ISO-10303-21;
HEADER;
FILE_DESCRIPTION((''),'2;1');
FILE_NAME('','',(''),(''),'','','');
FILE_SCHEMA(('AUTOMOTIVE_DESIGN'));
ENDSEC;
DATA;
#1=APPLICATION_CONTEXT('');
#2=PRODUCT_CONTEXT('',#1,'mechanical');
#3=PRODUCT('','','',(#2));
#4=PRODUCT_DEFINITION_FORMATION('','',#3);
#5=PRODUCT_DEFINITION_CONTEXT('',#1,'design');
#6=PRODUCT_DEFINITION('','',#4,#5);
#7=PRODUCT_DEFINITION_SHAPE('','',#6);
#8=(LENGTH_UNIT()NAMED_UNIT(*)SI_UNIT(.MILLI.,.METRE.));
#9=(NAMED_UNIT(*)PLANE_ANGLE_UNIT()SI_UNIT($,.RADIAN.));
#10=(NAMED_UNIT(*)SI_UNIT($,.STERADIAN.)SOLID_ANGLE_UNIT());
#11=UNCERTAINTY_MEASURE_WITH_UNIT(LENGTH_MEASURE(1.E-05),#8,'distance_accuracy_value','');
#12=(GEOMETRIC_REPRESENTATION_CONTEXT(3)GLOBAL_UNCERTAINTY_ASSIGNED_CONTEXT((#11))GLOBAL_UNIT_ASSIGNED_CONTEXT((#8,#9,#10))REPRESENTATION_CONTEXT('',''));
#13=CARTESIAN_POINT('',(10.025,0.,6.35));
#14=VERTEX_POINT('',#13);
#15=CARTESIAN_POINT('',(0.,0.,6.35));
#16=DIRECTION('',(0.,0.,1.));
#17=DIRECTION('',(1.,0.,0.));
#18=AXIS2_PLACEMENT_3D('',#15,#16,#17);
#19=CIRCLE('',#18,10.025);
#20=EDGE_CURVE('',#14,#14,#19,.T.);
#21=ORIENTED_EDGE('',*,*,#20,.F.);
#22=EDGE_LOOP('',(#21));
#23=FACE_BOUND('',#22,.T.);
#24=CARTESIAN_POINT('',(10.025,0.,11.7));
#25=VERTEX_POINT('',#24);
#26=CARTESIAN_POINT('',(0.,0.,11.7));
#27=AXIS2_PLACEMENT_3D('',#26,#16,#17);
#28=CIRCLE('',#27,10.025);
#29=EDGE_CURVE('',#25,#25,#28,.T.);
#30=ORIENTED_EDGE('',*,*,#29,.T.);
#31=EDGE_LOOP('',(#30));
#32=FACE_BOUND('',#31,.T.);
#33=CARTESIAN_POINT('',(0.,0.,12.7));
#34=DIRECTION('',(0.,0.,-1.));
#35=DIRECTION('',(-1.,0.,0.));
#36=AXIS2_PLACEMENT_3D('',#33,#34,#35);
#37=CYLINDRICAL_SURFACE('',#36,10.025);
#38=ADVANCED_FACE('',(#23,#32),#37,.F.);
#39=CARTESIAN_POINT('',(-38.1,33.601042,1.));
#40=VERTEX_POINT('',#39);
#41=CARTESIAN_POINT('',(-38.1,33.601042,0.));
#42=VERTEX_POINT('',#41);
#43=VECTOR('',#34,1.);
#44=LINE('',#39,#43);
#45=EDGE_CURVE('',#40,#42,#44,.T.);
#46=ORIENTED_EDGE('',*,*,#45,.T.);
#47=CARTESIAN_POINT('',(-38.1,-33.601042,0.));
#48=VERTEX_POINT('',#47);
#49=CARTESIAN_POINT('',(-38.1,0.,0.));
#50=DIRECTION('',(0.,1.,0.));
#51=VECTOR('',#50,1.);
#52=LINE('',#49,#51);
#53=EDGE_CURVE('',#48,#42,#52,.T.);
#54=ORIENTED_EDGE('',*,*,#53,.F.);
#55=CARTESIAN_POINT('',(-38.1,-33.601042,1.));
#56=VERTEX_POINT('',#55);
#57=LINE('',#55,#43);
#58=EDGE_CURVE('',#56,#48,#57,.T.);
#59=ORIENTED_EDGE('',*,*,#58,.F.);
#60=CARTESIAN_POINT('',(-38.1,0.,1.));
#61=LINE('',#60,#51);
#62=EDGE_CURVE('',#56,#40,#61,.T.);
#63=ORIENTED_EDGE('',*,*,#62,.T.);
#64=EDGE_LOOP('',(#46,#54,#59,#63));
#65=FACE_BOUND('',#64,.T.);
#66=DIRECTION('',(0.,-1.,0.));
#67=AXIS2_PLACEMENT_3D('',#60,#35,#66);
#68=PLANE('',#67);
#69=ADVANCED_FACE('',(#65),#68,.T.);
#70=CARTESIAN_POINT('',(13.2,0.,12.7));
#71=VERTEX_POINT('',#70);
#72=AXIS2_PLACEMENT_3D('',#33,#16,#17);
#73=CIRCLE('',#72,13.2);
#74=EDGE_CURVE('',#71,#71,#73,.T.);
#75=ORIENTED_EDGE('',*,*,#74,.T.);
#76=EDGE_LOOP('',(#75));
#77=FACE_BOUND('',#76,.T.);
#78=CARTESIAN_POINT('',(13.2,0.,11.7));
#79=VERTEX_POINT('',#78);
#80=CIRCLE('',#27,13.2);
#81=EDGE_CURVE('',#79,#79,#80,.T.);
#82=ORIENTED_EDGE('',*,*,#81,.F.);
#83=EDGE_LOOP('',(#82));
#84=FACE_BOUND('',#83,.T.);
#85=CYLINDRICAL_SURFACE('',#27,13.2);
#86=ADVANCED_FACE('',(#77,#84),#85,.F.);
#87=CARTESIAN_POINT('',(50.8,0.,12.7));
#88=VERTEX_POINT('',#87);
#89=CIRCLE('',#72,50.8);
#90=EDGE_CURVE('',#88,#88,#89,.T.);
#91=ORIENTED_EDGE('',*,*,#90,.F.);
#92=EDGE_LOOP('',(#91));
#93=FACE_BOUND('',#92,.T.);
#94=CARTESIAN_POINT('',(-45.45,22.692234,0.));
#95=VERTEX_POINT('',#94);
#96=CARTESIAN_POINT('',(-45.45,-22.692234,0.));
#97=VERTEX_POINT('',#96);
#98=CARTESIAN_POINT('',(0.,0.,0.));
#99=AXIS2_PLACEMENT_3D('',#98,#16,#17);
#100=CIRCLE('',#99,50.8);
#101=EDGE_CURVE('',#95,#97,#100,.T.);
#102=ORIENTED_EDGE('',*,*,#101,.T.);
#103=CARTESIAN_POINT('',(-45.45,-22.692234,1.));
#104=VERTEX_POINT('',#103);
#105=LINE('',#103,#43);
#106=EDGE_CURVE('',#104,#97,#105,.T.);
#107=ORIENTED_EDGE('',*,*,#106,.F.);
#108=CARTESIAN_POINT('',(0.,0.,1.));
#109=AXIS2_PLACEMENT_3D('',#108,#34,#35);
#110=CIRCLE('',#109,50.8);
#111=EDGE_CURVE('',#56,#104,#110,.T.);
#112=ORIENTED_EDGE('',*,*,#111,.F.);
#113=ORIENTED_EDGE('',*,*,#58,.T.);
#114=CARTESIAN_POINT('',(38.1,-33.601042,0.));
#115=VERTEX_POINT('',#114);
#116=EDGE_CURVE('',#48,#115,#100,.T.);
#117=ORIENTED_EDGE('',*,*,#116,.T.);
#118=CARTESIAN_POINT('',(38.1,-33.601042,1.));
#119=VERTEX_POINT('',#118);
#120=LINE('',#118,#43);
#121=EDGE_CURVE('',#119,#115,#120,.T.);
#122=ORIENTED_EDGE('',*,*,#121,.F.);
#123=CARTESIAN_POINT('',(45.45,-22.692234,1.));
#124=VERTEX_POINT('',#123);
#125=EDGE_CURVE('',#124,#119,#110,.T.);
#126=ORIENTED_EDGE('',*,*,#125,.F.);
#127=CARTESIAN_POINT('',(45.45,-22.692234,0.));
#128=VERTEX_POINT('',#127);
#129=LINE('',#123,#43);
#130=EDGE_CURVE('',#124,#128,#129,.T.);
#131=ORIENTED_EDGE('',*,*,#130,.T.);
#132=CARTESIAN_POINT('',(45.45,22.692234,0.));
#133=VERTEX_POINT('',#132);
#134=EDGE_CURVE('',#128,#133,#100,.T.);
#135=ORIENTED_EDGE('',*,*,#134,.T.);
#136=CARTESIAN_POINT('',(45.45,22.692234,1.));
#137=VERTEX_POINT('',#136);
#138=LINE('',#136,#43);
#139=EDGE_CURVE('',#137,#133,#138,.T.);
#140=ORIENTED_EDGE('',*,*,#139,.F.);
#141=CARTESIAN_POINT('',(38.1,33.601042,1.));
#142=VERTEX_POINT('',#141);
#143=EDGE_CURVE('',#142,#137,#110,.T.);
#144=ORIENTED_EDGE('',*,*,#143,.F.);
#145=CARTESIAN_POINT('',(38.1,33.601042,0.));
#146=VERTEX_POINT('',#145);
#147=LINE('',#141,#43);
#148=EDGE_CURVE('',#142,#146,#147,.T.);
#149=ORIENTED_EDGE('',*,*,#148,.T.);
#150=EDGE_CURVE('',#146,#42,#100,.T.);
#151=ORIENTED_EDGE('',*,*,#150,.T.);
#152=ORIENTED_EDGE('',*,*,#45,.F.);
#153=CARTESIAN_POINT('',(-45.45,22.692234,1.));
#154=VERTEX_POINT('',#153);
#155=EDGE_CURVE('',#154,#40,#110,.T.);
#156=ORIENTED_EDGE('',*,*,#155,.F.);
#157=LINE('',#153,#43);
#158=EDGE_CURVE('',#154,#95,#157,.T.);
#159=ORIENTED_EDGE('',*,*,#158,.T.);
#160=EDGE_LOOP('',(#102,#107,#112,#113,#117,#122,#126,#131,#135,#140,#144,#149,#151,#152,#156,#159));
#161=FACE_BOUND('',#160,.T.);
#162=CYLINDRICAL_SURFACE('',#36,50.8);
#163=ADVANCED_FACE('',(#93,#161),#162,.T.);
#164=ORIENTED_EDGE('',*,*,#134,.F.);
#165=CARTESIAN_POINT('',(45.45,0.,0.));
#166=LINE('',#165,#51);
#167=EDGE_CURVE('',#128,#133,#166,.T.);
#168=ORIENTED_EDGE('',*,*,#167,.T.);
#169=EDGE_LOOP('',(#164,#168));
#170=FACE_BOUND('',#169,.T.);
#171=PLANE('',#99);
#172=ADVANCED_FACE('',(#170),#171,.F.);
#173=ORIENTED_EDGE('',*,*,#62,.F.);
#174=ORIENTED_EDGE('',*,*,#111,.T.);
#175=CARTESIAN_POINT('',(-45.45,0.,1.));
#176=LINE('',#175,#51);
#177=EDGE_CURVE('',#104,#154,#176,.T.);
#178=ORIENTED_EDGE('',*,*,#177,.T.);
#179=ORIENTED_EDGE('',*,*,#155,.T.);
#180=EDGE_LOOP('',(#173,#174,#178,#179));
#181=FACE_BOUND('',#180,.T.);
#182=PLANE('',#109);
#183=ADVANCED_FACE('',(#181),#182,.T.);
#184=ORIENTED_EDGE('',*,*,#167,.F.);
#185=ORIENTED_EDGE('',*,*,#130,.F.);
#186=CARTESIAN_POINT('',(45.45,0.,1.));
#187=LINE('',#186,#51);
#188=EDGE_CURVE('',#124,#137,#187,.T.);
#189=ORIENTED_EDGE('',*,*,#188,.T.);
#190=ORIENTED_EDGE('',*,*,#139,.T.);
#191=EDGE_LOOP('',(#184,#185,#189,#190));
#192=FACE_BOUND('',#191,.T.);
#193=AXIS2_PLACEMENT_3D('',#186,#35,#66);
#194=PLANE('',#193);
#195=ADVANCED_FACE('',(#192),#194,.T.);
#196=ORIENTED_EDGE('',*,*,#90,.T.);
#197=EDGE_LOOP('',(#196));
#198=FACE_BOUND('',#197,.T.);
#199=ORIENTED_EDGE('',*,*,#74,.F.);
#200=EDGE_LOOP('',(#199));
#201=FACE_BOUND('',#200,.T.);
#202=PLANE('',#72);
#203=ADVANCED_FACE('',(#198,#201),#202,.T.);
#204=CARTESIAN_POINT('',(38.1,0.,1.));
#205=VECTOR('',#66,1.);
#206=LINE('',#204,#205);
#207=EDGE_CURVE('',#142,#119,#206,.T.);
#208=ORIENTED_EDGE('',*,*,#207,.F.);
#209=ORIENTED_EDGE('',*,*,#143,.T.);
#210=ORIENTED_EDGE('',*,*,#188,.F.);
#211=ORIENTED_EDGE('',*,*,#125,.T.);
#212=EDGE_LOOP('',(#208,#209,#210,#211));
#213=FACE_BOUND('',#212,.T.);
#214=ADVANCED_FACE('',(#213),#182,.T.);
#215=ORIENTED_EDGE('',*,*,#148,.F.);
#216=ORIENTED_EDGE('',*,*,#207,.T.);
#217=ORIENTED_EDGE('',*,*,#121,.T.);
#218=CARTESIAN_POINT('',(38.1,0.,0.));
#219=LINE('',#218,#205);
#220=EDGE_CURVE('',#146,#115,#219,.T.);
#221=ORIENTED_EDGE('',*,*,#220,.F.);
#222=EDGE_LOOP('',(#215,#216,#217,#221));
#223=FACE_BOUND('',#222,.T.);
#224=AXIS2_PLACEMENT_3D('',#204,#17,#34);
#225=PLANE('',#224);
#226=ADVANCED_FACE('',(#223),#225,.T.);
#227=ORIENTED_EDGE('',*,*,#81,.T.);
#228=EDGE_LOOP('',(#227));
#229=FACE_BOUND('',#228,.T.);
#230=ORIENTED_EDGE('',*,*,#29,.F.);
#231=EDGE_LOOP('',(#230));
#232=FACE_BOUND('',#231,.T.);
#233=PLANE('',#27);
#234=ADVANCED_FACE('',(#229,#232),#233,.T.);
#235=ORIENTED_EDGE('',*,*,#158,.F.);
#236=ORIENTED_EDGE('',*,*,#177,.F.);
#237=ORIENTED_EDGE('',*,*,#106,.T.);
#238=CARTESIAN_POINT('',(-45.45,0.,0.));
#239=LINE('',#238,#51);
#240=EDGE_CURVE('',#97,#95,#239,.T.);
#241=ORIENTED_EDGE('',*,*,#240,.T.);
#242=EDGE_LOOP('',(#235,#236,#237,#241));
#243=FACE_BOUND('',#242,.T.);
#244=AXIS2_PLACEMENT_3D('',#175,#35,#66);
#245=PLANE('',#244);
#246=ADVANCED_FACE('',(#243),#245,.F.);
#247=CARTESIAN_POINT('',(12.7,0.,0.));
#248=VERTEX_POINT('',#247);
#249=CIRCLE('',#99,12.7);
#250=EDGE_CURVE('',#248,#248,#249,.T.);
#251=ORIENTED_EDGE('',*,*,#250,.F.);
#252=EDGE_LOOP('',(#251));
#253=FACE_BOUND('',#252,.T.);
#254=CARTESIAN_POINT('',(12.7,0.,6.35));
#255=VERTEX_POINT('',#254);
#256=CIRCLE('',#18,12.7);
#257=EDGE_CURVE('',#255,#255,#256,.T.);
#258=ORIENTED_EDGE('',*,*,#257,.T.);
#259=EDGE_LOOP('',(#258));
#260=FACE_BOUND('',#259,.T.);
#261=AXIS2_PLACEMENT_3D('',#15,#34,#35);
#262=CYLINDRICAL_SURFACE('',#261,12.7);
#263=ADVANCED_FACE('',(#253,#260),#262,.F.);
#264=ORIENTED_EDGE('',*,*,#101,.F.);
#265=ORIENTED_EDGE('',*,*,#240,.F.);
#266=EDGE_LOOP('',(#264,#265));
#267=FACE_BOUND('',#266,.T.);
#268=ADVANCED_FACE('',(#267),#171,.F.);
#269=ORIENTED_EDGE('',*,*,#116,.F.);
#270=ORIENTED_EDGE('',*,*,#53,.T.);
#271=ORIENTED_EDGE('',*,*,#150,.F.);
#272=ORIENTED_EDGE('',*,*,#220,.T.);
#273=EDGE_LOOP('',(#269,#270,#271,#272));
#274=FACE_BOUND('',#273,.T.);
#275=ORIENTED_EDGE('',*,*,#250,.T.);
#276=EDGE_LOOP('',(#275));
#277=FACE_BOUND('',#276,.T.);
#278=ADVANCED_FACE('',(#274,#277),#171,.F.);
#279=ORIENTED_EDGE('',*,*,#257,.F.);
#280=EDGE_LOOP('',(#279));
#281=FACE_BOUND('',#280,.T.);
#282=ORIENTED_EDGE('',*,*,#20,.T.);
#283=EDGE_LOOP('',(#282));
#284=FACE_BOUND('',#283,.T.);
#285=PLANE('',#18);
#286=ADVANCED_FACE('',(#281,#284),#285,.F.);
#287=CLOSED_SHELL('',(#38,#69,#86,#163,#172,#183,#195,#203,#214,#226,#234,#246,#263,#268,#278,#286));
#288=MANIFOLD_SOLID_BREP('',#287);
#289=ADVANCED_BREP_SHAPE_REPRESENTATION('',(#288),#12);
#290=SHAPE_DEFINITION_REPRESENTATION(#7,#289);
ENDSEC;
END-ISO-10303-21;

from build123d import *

# Parameters (mm, degrees)
SKETCH1_R           = 50.8
SKETCH1_R_2         = 13.2
SKETCH1_R_3         = 10.025
SKETCH1_R_4         = 12.7
BOSS_EXTRUDE1_DEPTH = 12.7
CUT_EXTRUDE1_START  = 12.7
SKETCH1_3_R         = 13.2
SKETCH1_3_R_2       = 12.7
SKETCH1_3_R_3       = 10.025
CUT_EXTRUDE1_DEPTH  = 1
SKETCH1_4_R         = 12.7
SKETCH1_4_R_2       = 10.025
CUT_EXTRUDE2_DEPTH  = 6.35
CUT_EXTRUDE3_DEPTH  = 1


with BuildPart() as part:
    # Sketch1 → Boss-Extrude1 (new body)
    with BuildSketch(Plane(origin=(0, 0, 0), x_dir=(0, 1, 0), z_dir=(0, 0, 1))):
        with Locations(Location((0, 0, 0), (0, 0, 270))):
            Circle(SKETCH1_R)
        Circle(SKETCH1_R_2, mode=Mode.SUBTRACT)
        Circle(SKETCH1_R_2)
        with Locations(Location((0, 0, 0), (0, 0, 270))):
            Circle(SKETCH1_R_3, mode=Mode.SUBTRACT)
        Circle(SKETCH1_R_4)
        with Locations(Location((0, 0, 0), (0, 0, 270))):
            Circle(SKETCH1_R_3, mode=Mode.SUBTRACT)
    extrude(amount=BOSS_EXTRUDE1_DEPTH)

    # Sketch1<3> → Cut-Extrude1 (cut)
    with BuildSketch(Plane(origin=(0, 0, 0), x_dir=(0, 1, 0), z_dir=(0, 0, 1)).offset(CUT_EXTRUDE1_START)):
        with Locations(Location((0, 0, 0), (0, 0, 270))):
            Circle(SKETCH1_3_R)
        Circle(SKETCH1_3_R_2, mode=Mode.SUBTRACT)
        Circle(SKETCH1_3_R_2)
        with Locations(Location((0, 0, 0), (0, 0, 270))):
            Circle(SKETCH1_3_R_3, mode=Mode.SUBTRACT)
    extrude(amount=-CUT_EXTRUDE1_DEPTH, mode=Mode.SUBTRACT)

    # Sketch1<4> → Cut-Extrude2 (cut)
    with BuildSketch(Plane(origin=(0, 0, 0), x_dir=(0, 1, 0), z_dir=(0, 0, 1))):
        with Locations(Location((0, 0, 0), (0, 0, 270))):
            Circle(SKETCH1_4_R)
        with Locations(Location((0, 0, 0), (0, 0, 270))):
            Circle(SKETCH1_4_R_2, mode=Mode.SUBTRACT)
    extrude(amount=CUT_EXTRUDE2_DEPTH, mode=Mode.SUBTRACT)

    # Sketch2 → Cut-Extrude3 (cut)
    with BuildSketch(Plane(origin=(0, 0, 0), x_dir=(1, 0, 0), z_dir=(0, 0, -1))):
        with BuildLine():
            Line((-38.1, -33.601041651), (-38.1, 0))
            Line((-38.1, 0), (-38.1, 33.601041651))
            ThreePointArc((-38.1, 33.601041651), (-42.129575647, 28.385539555), (-45.45, 22.692234355))
            Line((-45.45, 22.692234355), (-45.45, -22.692234355))
            ThreePointArc((-45.45, -22.692234355), (-42.129575647, -28.385539555), (-38.1, -33.601041651))
        make_face()
        with BuildLine():
            ThreePointArc((45.45, 22.692234355), (42.129575647, 28.385539555), (38.1, 33.601041651))
            Line((38.1, 33.601041651), (38.1, 0))
            Line((38.1, 0), (38.1, -33.601041651))
            ThreePointArc((38.1, -33.601041651), (42.129575647, -28.385539555), (45.45, -22.692234355))
            Line((45.45, -22.692234355), (45.45, 22.692234355))
        make_face()
    extrude(amount=-CUT_EXTRUDE3_DEPTH, mode=Mode.SUBTRACT)


solid = part.part
